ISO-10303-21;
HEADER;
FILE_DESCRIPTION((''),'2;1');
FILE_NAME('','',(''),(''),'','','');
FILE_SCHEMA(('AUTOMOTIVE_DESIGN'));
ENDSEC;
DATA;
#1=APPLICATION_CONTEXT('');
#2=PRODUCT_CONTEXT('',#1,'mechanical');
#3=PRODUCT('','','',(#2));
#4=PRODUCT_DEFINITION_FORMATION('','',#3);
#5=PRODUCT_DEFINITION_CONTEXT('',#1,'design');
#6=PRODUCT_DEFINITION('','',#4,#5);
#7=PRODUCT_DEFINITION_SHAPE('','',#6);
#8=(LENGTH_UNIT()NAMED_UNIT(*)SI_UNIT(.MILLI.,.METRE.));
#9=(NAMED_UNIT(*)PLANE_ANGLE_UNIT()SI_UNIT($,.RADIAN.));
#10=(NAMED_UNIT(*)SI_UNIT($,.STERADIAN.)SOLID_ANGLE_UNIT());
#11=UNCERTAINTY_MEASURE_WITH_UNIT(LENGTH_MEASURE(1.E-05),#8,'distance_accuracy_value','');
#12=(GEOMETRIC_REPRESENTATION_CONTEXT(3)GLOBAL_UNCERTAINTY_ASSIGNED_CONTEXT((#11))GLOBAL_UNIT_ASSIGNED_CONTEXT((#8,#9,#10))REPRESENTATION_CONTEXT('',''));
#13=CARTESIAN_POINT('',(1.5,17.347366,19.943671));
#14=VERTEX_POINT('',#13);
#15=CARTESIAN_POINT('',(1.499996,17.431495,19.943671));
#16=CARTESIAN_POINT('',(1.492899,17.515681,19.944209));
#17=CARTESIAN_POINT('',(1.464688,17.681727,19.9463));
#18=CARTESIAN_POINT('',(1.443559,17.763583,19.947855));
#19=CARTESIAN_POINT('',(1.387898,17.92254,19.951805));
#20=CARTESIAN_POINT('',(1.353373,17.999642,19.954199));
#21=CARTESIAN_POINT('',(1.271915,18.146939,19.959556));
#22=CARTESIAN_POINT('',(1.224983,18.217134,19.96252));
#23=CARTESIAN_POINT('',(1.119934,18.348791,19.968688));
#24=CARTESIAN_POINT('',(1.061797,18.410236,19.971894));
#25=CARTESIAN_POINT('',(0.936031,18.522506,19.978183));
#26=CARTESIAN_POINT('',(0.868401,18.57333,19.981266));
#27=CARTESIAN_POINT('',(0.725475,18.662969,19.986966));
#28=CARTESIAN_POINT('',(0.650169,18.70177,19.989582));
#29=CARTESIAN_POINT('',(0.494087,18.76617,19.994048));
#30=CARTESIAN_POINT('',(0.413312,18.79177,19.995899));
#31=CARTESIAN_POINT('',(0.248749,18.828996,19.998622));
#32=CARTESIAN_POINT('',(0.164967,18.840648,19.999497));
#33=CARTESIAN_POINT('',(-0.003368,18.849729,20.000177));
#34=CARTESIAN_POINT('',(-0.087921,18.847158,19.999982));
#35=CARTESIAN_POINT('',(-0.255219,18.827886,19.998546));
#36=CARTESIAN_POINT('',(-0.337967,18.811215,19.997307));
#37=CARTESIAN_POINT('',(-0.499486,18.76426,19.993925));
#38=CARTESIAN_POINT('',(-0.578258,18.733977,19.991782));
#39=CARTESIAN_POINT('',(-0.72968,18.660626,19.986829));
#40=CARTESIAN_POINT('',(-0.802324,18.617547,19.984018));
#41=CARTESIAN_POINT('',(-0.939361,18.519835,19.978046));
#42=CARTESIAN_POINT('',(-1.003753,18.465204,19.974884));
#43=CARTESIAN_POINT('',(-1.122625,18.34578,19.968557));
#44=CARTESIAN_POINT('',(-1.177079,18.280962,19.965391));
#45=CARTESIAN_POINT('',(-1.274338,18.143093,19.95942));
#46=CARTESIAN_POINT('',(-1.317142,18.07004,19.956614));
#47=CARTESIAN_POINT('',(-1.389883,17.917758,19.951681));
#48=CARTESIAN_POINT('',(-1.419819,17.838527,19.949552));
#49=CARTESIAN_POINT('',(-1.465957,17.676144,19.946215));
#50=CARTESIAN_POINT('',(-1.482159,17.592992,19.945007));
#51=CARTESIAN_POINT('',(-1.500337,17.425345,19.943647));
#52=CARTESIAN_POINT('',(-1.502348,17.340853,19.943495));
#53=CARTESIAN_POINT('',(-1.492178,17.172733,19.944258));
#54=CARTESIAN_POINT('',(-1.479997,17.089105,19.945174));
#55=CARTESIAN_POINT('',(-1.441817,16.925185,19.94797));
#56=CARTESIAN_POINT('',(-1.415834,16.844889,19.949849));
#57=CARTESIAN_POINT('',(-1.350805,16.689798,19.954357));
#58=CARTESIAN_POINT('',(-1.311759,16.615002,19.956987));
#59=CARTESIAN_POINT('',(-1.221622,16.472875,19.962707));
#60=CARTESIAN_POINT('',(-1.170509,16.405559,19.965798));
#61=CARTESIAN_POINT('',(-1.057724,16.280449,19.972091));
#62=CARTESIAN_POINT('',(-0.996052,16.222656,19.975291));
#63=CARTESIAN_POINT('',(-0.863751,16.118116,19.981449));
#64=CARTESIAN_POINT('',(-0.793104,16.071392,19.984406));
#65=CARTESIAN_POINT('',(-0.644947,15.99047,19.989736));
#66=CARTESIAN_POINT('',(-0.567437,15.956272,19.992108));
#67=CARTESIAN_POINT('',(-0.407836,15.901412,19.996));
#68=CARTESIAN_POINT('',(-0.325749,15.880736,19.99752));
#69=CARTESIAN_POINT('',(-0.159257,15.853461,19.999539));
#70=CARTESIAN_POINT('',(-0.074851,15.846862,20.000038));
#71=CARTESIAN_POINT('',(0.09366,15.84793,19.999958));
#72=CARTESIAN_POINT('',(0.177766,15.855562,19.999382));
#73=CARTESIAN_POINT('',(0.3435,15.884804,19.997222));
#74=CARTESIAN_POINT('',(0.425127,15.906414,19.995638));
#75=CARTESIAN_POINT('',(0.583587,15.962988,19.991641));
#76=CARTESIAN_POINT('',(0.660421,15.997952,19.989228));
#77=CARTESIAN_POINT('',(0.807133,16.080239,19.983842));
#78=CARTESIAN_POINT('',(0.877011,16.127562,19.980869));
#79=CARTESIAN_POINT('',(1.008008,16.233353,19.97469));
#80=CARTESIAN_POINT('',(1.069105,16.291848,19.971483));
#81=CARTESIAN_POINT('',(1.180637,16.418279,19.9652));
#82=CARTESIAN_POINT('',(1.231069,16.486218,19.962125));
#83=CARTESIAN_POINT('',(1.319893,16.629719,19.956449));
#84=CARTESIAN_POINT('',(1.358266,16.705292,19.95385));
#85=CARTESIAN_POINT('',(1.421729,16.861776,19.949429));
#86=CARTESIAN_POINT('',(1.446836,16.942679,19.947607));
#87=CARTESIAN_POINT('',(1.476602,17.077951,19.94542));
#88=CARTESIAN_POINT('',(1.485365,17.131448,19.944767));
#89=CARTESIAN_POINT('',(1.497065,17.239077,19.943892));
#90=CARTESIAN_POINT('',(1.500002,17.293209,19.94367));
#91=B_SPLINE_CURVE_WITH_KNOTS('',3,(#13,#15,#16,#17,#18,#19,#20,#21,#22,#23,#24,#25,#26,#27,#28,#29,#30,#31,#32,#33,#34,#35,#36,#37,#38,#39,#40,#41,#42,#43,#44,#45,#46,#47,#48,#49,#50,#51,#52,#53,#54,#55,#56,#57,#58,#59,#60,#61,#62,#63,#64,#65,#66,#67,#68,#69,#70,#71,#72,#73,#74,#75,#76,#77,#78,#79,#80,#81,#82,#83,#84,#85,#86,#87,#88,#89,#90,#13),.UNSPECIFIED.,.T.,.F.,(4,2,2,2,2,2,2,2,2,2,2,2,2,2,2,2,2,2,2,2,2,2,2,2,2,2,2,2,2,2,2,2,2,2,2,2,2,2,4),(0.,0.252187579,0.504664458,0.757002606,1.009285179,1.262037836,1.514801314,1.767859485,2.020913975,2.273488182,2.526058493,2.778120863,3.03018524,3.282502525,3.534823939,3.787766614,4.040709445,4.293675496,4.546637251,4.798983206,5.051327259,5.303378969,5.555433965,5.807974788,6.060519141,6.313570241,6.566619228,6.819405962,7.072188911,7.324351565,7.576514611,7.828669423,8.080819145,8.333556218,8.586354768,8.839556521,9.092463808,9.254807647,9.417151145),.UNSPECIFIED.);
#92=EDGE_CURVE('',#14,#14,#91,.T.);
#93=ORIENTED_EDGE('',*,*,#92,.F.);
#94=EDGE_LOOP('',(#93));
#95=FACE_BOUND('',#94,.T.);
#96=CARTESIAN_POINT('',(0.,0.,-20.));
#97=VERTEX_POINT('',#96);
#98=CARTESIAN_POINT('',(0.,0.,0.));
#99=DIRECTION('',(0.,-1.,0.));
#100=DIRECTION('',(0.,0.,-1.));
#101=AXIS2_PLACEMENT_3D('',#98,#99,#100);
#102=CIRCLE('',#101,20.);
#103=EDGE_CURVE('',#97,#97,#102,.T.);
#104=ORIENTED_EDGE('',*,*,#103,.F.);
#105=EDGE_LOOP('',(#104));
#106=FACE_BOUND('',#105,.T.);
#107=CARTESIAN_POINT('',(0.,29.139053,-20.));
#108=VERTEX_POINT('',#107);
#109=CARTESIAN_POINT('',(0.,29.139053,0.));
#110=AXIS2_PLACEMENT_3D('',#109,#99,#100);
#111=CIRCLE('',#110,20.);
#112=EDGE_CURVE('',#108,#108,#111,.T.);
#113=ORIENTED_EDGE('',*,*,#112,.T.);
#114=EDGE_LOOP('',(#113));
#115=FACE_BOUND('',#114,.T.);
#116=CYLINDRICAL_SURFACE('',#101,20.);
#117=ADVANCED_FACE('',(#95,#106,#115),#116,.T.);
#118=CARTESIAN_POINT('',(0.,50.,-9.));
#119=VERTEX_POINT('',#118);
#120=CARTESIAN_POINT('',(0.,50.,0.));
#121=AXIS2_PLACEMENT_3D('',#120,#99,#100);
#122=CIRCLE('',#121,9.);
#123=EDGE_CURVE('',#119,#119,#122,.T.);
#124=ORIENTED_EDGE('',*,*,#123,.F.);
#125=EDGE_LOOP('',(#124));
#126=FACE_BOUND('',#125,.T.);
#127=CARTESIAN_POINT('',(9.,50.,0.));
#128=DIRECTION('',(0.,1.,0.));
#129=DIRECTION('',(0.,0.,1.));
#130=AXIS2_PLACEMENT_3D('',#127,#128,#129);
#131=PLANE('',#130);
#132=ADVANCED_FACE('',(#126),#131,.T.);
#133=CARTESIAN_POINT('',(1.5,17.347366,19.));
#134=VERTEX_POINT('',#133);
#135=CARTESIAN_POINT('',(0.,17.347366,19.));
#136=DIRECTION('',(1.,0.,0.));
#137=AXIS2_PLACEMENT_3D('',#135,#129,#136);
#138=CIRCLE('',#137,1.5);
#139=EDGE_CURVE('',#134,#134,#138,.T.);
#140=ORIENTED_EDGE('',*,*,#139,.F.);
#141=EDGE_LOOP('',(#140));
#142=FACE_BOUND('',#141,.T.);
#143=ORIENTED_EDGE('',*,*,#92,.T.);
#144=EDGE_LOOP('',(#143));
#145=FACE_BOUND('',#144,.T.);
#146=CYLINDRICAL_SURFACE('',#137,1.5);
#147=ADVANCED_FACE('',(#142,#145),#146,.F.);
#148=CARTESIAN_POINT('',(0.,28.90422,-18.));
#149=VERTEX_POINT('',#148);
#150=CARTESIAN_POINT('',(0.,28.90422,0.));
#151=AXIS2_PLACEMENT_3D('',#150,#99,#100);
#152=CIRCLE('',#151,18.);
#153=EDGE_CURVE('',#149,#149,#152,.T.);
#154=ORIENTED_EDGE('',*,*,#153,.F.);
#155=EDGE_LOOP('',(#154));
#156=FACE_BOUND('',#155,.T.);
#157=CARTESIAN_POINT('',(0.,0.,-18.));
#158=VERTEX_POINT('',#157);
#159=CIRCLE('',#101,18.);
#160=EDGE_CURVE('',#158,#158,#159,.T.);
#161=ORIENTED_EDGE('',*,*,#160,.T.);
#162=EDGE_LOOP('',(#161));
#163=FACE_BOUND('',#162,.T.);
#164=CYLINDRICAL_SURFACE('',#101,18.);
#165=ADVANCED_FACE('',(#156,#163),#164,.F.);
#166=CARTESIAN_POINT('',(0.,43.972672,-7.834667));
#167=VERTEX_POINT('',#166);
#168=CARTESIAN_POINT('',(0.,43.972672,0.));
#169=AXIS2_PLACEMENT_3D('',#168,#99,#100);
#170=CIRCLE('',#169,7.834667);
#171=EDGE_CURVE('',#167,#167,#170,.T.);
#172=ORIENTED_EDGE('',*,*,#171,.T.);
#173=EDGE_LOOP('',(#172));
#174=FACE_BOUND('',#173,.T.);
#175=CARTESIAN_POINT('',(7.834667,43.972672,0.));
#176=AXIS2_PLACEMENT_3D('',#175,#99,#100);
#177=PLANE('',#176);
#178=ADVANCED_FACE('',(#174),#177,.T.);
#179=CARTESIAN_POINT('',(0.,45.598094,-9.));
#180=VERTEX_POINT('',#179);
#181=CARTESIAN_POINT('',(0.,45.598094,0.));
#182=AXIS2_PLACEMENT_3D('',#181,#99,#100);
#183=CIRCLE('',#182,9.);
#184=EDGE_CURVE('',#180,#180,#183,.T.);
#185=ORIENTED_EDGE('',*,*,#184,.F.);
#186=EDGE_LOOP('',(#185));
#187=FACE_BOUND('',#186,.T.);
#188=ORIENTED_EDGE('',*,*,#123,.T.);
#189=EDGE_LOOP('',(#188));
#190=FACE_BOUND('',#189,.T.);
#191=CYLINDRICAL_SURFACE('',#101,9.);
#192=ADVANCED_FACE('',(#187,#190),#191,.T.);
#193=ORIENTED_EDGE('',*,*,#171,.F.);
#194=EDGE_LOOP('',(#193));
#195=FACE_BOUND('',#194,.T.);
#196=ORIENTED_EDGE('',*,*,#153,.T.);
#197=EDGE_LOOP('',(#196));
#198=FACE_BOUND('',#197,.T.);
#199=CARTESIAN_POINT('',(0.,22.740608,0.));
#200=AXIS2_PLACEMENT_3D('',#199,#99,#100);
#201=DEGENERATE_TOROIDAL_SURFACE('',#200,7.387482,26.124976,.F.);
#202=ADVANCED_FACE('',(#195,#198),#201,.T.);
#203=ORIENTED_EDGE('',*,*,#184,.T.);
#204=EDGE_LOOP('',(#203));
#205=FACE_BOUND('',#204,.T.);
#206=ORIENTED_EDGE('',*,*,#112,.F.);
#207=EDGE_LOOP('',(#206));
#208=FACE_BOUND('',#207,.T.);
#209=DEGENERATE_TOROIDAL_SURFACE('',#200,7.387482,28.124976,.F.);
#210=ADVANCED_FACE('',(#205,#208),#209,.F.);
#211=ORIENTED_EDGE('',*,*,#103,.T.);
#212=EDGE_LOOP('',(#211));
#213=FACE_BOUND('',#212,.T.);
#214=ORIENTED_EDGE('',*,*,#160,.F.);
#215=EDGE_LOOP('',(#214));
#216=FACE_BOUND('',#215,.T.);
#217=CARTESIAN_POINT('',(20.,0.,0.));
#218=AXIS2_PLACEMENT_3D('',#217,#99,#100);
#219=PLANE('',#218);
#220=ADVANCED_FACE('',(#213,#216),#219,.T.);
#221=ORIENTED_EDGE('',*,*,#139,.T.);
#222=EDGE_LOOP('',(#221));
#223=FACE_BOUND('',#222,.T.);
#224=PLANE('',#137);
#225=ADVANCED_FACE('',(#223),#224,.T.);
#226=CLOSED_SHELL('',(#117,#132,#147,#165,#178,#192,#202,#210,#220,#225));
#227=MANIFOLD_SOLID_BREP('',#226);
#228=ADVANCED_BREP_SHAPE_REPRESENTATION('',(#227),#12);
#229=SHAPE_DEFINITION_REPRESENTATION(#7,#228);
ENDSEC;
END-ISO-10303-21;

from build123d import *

# Parameters (mm, degrees)
SKETCH2_R          = 1.5
CUT_EXTRUDE1_DEPTH = 1


with BuildPart() as part:
    # Sketch1 → Revolve1 (revolve)
    with BuildSketch(Plane.XY, mode=Mode.PRIVATE) as revolve1_sk:
        with BuildLine():
            Line((20, 0), (20, 29.13905258))
            ThreePointArc((20, 29.13905258), (15.995992564, 38.368383693), (9, 45.598094362))
            Line((9, 45.598094362), (9, 50))
            Line((9, 50), (0, 50))
            Line((0, 50), (0, 43.972671684))
            Line((0, 43.972671684), (7.83466695, 43.972671684))
            ThreePointArc((7.83466695, 43.972671684), (14.270082218, 37.351024326), (18, 28.904220391))
            Line((18, 28.904220391), (18, 0))
            Line((18, 0), (20, 0))
        make_face()
    revolve(revolve1_sk.sketch.rotate(Axis((0, 0, 0), (0, 1, 0)), 90), axis=Axis((0, 0, 0), (0, 1, 0)))

    # Sketch2 → Cut-Extrude1 (cut)
    with BuildSketch(Plane.XY.offset(20)):
        with Locations((0, 17.347366398)):
            Circle(SKETCH2_R)
    extrude(amount=-CUT_EXTRUDE1_DEPTH, mode=Mode.SUBTRACT)


solid = part.part
